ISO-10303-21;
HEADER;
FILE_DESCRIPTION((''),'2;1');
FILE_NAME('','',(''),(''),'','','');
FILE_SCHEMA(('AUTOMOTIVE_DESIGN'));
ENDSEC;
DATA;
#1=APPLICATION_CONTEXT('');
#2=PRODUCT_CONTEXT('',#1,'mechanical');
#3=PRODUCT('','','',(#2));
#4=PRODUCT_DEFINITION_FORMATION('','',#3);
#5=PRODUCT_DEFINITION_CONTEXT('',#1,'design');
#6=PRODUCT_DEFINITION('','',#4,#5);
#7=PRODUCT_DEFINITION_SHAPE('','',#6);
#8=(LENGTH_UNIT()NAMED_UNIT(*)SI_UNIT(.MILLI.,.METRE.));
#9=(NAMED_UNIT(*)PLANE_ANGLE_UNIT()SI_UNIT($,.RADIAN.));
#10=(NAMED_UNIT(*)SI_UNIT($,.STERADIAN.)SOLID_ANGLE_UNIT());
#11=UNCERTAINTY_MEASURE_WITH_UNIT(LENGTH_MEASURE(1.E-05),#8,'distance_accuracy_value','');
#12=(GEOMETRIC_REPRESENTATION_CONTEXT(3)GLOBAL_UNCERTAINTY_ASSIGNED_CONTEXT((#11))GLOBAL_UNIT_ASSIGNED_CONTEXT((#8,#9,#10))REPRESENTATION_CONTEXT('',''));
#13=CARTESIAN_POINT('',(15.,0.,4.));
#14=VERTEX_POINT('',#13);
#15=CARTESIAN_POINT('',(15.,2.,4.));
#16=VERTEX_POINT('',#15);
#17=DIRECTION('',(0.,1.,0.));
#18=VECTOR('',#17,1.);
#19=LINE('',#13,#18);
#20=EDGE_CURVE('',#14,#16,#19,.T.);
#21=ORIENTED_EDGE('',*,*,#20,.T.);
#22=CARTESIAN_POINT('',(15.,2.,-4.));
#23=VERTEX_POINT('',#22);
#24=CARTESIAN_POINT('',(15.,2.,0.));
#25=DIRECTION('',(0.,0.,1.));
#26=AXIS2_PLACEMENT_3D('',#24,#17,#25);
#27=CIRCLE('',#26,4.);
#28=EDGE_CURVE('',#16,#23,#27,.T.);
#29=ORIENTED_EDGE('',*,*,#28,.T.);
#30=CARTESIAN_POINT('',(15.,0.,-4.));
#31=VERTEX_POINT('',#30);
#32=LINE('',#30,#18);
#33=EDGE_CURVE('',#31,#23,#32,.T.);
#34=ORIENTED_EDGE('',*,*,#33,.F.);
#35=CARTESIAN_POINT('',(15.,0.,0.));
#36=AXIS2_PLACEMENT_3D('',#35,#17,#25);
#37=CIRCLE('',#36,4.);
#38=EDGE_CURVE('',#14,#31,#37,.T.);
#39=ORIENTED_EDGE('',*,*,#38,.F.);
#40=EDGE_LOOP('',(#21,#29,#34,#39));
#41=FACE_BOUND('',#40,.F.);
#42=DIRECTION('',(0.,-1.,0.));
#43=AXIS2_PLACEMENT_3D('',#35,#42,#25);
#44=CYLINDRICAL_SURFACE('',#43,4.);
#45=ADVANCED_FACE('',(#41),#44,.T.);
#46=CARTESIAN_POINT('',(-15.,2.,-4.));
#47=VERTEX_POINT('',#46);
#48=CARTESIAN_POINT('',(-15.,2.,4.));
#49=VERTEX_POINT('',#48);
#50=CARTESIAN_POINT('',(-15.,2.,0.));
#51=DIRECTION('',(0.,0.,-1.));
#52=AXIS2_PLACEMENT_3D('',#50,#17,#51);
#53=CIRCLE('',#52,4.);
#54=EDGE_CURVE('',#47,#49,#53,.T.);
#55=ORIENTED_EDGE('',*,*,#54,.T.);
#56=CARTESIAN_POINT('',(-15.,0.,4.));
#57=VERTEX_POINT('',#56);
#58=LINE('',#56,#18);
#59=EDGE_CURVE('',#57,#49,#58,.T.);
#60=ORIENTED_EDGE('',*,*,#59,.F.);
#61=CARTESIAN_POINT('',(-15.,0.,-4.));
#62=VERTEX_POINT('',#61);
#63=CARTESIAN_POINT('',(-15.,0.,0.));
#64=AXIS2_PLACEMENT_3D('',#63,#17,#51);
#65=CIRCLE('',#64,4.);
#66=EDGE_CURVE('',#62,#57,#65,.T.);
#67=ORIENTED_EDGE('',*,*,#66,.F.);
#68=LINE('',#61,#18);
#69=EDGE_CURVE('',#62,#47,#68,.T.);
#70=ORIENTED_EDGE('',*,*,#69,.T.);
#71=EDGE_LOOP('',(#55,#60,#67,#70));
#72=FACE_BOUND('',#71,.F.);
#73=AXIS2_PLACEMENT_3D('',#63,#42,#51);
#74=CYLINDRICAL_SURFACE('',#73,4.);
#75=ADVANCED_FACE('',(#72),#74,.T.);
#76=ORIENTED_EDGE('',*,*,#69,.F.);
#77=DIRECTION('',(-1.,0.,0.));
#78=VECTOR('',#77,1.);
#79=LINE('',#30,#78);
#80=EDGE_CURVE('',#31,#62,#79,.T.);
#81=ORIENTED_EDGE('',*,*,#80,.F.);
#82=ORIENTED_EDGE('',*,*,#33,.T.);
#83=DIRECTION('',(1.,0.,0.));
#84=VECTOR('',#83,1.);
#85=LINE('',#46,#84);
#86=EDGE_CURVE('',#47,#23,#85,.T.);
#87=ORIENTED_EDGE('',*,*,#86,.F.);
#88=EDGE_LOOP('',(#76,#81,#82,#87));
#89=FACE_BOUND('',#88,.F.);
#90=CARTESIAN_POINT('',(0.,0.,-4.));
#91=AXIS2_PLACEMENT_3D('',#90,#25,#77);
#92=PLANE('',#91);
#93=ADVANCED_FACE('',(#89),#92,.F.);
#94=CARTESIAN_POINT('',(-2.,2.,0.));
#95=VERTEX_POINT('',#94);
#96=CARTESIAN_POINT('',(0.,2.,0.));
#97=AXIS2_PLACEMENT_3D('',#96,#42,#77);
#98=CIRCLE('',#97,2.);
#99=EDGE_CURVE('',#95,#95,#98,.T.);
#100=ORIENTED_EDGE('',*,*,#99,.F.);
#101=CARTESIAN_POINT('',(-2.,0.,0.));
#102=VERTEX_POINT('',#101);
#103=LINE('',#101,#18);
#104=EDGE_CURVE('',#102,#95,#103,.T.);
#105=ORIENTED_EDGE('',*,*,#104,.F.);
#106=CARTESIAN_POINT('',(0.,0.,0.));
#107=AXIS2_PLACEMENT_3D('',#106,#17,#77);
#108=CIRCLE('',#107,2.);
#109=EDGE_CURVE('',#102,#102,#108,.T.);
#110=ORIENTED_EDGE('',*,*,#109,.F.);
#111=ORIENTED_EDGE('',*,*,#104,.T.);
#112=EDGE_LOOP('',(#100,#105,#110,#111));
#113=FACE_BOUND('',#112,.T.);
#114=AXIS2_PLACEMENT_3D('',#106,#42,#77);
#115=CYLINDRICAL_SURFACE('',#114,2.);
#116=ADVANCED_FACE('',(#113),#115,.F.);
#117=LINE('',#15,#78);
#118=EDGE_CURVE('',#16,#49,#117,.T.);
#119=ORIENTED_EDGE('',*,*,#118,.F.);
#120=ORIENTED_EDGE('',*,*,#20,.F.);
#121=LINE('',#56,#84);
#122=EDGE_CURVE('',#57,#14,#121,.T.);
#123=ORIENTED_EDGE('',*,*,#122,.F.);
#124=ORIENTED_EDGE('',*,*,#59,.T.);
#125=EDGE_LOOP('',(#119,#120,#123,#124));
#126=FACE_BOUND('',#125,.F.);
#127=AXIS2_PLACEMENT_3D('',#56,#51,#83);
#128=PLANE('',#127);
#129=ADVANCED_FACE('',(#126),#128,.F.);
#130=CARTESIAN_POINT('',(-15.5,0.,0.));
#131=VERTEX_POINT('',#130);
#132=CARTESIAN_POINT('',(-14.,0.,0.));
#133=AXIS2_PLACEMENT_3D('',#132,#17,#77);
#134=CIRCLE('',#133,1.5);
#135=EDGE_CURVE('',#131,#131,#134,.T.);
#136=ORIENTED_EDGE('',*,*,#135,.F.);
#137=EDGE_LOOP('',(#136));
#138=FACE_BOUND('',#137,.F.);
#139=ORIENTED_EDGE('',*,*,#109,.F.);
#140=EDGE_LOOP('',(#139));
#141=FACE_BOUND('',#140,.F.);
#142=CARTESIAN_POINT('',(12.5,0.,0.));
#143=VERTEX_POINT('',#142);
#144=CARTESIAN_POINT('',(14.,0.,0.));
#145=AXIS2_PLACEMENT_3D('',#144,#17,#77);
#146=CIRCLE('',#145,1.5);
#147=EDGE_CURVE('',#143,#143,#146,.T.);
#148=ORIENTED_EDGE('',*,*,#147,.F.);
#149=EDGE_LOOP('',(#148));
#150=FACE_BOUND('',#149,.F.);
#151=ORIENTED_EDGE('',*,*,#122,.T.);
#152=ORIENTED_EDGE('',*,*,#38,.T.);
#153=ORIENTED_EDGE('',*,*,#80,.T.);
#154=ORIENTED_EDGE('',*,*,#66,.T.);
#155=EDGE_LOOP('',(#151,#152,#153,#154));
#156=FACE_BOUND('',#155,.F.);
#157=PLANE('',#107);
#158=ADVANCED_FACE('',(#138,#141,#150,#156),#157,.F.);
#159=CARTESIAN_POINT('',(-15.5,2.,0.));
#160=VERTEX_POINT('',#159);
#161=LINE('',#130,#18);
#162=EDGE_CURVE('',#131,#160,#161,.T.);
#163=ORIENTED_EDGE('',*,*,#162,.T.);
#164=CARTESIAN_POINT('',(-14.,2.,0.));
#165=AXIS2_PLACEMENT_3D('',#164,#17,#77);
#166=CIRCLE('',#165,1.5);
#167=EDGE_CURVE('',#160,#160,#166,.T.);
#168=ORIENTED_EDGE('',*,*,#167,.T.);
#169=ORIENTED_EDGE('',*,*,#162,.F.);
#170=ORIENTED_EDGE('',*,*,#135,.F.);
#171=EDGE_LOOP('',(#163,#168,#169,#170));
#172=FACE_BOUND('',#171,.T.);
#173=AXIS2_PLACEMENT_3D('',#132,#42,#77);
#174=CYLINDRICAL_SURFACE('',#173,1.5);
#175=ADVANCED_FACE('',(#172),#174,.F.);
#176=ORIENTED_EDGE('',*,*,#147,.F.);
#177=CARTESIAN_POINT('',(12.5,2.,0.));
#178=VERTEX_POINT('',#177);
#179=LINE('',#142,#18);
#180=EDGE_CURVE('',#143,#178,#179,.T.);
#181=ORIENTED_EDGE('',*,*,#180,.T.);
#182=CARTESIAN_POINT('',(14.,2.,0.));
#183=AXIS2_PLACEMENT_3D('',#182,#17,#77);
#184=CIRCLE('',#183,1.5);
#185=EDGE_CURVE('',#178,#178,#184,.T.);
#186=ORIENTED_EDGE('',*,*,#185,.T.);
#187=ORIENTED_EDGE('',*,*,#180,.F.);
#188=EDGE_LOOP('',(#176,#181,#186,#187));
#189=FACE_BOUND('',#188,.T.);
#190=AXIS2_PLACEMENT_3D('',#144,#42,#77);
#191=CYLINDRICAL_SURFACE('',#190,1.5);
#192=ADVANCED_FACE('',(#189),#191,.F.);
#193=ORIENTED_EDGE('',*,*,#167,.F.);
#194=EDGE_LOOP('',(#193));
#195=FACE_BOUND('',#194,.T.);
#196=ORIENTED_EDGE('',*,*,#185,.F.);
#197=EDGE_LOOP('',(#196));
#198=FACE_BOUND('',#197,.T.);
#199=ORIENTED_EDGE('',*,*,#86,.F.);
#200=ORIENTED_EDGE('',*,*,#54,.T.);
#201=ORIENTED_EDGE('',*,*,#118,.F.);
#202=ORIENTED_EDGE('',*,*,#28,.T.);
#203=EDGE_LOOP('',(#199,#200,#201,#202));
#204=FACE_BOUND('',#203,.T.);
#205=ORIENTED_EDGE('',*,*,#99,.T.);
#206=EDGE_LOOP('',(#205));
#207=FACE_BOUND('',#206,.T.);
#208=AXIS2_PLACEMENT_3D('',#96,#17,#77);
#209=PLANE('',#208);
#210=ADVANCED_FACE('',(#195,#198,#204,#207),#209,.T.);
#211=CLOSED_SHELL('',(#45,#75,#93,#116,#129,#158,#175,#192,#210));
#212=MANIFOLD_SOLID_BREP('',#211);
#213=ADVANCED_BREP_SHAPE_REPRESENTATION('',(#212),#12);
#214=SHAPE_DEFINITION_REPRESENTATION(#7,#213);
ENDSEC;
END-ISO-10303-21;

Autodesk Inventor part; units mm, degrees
ref_plane "YZ Plane" through (0, 0, 0) normal (1, 0, 0) x (0, 1, 0)
ref_plane "XZ Plane" through (0, 0, 0) normal (0, 1, 0) x (-1, 0, 0)
ref_plane "XY Plane" through (0, 0, 0) normal (0, 0, 1) x (1, 0, 0)
sketch "Boceto1" plane through (0, 0, 0) normal (0, 1, 0) x (-1, 0, 0)
  circle A0 centre (14, 0) radius 1.5
  circle A1 centre (-14, 0) radius 1.5
  line L0 (15, 0) -> (-15, 0) construction
  line L1 (15, 4) -> (-15, 4)
  line L2 (-15, -4) -> (15, -4)
  arc A2 (15, -4) -> (15, 4) centre (15, 0) ccw
  arc A3 (-15, 4) -> (-15, -4) centre (-15, 0) ccw
  line L3 (0, -5.6) -> (0, 5.6) projected
  circle A4 centre (0, 0) radius 2
  dimension "d2" = 3
  dimension "d3" = 3
  dimension "d4" = 14
  dimension "d5" = 0
  dimension "d6" = 0
  dimension "d7" = 28
  dimension "d8" = 4
  dimension "d9" = 15
  dimension "d12" = 4
extrude "Extrusión2" add sketch "Boceto1" along normal blind 2 contours A2 L2 L3 A4 L1 | L3 A4 L2 A3 L1
properties part number "PINZA_UNION"
